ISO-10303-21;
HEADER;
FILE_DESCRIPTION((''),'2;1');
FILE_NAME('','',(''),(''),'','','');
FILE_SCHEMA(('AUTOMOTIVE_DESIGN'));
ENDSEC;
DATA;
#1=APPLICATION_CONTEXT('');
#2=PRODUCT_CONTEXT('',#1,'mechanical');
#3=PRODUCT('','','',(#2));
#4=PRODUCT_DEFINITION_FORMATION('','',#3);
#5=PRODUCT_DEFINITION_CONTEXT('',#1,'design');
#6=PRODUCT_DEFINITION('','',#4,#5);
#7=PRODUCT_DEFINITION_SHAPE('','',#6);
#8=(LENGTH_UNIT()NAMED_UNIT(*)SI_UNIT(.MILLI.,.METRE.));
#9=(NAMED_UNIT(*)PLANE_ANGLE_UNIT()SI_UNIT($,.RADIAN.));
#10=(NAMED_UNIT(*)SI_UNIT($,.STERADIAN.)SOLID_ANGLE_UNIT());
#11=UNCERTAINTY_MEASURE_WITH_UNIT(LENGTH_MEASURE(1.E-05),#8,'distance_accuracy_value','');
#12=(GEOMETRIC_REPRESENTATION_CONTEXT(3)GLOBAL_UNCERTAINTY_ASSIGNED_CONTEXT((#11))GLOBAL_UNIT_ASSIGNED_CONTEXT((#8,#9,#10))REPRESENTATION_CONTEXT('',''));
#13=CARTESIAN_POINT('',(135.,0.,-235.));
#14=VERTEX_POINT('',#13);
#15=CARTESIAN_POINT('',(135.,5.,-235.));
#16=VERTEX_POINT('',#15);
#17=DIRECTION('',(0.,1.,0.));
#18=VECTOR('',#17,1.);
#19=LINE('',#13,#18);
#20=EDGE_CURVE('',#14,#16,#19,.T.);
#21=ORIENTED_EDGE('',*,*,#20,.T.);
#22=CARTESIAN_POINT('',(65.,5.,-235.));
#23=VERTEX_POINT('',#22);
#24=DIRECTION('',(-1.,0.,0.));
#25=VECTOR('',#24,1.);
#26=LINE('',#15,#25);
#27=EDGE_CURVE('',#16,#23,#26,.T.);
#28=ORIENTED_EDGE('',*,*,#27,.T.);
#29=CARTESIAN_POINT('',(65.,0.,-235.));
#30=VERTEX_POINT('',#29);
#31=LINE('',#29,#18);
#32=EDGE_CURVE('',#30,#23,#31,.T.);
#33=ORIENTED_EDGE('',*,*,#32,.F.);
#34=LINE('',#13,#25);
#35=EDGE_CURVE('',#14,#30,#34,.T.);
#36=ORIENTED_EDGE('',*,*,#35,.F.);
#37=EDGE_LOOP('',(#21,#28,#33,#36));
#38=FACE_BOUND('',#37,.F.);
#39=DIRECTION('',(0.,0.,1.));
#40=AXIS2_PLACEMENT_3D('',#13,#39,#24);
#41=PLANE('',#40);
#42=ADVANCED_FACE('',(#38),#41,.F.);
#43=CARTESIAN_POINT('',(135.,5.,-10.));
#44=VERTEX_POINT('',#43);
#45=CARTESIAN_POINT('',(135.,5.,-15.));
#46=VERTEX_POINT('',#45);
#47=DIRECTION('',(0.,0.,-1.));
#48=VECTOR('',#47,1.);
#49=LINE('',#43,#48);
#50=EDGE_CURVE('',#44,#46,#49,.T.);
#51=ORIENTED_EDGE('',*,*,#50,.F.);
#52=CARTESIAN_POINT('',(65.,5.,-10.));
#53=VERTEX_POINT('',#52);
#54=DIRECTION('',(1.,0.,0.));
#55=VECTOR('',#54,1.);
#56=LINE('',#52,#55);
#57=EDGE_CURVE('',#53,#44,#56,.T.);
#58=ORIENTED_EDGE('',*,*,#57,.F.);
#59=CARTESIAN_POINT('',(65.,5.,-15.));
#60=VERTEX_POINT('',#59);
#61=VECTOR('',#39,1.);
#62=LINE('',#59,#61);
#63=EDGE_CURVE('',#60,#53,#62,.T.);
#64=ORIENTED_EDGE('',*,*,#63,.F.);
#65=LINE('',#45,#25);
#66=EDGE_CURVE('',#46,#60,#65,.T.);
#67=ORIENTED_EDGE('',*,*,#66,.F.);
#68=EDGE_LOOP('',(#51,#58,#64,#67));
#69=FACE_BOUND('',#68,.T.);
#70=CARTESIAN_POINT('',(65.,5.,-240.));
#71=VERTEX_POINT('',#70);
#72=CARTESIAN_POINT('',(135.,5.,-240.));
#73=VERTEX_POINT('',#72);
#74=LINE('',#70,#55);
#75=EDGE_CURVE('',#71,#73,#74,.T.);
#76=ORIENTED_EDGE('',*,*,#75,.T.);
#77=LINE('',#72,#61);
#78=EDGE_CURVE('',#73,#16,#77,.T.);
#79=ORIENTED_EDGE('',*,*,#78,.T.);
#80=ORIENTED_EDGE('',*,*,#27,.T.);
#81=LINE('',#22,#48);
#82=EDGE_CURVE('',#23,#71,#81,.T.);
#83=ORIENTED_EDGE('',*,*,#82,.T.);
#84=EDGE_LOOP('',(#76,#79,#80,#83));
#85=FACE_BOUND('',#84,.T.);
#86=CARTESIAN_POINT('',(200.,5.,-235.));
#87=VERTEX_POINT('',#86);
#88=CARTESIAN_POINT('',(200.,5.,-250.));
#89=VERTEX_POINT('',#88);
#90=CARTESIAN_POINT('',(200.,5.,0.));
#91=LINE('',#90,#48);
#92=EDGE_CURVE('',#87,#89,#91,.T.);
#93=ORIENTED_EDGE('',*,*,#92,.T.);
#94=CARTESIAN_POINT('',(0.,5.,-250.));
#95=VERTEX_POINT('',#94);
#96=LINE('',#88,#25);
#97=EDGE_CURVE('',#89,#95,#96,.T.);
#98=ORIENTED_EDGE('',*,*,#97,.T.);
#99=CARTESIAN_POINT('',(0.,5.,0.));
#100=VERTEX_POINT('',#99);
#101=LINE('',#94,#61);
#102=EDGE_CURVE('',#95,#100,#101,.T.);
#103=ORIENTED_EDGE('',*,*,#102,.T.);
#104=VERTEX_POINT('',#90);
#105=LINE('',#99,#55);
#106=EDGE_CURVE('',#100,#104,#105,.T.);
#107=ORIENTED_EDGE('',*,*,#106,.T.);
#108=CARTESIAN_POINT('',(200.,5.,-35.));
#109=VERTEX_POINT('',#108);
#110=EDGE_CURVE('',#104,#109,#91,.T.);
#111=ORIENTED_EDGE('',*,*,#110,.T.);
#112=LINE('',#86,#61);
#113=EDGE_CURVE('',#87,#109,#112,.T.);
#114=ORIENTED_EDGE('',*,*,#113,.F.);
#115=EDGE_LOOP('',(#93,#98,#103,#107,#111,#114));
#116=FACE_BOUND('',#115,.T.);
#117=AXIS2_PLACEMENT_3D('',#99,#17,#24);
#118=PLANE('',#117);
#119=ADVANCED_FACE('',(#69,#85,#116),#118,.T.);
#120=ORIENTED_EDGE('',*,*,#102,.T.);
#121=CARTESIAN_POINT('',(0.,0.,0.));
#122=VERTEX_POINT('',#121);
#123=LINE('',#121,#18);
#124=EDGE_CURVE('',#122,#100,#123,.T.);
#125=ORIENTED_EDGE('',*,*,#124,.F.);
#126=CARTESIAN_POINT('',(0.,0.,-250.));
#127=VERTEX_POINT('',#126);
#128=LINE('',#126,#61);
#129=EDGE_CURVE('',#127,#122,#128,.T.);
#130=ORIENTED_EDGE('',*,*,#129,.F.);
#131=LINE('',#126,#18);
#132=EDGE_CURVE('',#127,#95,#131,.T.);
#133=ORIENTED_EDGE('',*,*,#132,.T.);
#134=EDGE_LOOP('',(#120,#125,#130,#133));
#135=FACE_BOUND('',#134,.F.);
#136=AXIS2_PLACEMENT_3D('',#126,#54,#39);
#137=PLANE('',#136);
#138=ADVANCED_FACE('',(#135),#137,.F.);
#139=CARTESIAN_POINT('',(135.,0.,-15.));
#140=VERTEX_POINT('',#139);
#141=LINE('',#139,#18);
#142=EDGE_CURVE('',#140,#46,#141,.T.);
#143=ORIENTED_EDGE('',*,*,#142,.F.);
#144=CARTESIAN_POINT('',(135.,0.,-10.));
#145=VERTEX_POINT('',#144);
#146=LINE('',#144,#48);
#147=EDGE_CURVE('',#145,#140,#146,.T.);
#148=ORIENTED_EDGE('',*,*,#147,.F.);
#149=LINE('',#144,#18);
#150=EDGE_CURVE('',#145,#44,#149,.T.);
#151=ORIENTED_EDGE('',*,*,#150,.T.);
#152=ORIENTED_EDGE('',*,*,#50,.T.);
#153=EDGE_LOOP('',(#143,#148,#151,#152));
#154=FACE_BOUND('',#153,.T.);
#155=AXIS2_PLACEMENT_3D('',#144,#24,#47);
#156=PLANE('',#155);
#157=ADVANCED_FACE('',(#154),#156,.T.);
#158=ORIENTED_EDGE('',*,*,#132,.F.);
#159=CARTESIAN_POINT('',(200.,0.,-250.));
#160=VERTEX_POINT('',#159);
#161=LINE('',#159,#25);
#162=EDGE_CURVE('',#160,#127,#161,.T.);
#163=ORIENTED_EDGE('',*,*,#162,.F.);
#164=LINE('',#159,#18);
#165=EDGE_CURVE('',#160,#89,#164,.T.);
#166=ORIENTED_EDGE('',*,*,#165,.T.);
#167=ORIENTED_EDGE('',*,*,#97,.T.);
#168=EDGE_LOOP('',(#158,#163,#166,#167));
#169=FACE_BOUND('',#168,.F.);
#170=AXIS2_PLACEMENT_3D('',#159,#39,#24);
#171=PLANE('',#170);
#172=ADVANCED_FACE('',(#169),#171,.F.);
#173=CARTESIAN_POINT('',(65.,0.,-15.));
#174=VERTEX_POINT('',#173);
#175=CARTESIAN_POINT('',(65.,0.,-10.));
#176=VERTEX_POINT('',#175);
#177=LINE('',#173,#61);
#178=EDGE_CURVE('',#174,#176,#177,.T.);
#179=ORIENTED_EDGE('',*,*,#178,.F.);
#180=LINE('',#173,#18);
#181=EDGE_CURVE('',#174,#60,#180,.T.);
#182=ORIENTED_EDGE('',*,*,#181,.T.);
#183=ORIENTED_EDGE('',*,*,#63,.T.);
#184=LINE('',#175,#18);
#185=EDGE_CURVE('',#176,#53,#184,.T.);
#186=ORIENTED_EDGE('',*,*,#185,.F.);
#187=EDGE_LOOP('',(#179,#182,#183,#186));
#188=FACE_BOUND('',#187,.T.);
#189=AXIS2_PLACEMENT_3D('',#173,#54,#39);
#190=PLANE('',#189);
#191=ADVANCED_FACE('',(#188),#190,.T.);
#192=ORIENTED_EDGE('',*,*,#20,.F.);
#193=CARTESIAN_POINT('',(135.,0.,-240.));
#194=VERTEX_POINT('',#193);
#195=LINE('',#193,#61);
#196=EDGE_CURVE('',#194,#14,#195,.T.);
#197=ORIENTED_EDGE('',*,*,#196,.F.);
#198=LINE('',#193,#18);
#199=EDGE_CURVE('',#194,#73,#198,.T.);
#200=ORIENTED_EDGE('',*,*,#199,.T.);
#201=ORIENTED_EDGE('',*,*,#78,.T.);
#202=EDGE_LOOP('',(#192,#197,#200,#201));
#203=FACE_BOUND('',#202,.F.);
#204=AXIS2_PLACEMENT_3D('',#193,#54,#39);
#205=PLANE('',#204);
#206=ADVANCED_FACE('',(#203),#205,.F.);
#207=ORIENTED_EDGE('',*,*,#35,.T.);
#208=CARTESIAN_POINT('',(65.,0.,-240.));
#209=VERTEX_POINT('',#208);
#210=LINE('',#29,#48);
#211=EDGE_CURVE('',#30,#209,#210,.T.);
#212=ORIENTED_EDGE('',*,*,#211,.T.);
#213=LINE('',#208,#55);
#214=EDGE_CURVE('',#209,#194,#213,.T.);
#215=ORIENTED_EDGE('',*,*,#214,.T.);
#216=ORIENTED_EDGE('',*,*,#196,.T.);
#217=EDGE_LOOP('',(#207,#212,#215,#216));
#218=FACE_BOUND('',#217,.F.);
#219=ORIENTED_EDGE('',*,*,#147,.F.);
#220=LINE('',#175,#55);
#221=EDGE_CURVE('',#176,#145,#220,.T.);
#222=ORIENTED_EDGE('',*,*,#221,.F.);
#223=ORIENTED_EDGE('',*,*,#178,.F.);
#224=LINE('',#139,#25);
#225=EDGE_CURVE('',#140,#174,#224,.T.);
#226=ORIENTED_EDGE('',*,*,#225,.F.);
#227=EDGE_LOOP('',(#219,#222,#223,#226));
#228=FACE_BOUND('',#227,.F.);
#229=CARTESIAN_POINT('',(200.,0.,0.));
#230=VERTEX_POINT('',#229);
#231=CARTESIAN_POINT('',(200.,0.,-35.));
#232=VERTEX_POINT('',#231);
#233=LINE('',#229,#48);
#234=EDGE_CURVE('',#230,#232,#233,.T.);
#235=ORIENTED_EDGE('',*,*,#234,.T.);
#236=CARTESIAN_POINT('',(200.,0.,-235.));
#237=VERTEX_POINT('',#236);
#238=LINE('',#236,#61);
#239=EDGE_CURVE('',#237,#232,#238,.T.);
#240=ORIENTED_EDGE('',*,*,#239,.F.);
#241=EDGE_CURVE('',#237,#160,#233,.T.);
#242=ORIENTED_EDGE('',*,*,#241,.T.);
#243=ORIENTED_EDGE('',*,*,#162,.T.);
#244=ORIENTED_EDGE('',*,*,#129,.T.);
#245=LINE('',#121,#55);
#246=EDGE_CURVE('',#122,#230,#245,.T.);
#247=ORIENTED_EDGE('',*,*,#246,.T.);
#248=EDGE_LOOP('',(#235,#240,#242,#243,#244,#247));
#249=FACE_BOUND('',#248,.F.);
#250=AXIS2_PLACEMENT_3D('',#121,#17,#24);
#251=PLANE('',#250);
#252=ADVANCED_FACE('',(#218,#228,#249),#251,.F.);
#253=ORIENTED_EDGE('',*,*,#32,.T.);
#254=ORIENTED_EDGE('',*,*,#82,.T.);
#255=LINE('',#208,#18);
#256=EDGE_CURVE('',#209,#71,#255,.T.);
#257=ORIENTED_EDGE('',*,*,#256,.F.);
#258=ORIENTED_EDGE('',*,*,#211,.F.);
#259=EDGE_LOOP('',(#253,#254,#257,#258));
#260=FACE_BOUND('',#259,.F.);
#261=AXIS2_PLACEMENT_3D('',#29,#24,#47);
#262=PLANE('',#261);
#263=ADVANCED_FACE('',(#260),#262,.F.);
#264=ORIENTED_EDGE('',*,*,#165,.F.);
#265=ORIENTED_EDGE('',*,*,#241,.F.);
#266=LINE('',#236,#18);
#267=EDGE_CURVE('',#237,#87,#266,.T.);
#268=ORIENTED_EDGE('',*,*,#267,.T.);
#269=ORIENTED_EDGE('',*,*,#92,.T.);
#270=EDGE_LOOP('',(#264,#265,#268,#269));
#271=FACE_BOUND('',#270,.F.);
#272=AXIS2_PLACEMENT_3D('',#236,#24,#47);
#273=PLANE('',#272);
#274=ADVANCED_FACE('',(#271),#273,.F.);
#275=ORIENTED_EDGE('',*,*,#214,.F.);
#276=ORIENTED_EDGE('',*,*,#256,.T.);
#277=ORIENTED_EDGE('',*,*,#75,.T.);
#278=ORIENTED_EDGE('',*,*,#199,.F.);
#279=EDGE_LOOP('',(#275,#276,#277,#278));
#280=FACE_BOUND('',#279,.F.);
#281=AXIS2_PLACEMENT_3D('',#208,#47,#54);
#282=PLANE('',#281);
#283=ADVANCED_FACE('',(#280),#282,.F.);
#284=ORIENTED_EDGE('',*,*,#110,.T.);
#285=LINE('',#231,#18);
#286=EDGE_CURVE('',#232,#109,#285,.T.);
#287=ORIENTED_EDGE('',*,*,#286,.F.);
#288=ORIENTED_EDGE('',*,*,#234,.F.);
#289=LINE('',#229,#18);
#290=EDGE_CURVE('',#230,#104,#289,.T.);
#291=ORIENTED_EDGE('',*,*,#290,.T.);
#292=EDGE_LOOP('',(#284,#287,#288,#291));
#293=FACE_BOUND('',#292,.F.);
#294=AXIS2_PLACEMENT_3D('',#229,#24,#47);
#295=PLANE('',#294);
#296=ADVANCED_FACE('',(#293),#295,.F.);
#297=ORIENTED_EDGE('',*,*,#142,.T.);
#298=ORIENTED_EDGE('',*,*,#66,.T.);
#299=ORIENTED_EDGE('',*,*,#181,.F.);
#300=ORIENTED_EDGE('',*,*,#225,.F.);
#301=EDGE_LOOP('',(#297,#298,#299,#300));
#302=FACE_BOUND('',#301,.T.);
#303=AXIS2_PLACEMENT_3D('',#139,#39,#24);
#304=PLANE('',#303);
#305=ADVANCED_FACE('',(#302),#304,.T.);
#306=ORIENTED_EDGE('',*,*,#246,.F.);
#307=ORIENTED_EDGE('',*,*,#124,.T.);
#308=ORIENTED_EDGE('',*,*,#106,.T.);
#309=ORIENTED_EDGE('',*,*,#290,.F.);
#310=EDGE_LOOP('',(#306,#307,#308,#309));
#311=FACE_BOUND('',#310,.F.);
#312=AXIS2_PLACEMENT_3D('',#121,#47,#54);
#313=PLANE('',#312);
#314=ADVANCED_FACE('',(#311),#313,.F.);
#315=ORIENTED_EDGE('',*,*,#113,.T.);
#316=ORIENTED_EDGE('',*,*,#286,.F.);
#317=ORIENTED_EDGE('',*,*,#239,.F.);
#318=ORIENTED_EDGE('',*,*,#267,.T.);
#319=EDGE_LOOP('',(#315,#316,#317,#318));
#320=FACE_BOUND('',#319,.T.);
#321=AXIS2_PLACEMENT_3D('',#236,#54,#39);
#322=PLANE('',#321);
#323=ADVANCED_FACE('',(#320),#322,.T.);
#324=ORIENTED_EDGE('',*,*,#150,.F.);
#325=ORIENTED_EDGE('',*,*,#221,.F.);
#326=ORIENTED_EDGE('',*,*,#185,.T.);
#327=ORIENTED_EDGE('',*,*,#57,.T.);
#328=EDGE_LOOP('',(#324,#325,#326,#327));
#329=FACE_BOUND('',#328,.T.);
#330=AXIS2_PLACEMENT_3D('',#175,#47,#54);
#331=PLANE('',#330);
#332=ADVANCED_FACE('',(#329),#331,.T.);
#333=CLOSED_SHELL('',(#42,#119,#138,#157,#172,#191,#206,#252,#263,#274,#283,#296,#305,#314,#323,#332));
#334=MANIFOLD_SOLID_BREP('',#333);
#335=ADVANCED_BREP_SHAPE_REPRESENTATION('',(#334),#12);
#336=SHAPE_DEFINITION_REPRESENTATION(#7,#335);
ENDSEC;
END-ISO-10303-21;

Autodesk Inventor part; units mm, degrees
ref_plane "YZ Plane" through (0, 0, 0) normal (1, 0, 0) x (0, 1, 0)
ref_plane "XZ Plane" through (0, 0, 0) normal (0, 1, 0) x (-1, 0, 0)
ref_plane "XY Plane" through (0, 0, 0) normal (0, 0, 1) x (1, 0, 0)
sketch "Sketch1" plane through (0, 0, 0) normal (0, 1, 0) x (-1, 0, 0)
  line L0 (0, 0) -> (-200, 0)
  line L1 (-200, 0) -> (-200, -250)
  line L2 (-200, -250) -> (0, -250)
  line L3 (0, -250) -> (0, 0)
  line L4 (-65, -10) -> (-135, -10)
  line L5 (-135, -10) -> (-135, -15)
  line L6 (-135, -15) -> (-65, -15)
  line L7 (-65, -15) -> (-65, -10)
  line L8 (-200, -125) -> (0, -125) construction
  line L9 (-65, -240) -> (-135, -240)
  line L10 (-135, -240) -> (-135, -235)
  line L11 (-135, -235) -> (-65, -235)
  line L12 (-65, -235) -> (-65, -240)
  line L13 (-200, -235) -> (-200, -35)
  dimension "d0" = 200
  dimension "d2" = 70
  dimension "d3" = 5
  dimension "d11" = 10
  dimension "d12" = 230
extrude "Extrusion1" add sketch "Sketch1" along normal blind 5
properties part number "top"
